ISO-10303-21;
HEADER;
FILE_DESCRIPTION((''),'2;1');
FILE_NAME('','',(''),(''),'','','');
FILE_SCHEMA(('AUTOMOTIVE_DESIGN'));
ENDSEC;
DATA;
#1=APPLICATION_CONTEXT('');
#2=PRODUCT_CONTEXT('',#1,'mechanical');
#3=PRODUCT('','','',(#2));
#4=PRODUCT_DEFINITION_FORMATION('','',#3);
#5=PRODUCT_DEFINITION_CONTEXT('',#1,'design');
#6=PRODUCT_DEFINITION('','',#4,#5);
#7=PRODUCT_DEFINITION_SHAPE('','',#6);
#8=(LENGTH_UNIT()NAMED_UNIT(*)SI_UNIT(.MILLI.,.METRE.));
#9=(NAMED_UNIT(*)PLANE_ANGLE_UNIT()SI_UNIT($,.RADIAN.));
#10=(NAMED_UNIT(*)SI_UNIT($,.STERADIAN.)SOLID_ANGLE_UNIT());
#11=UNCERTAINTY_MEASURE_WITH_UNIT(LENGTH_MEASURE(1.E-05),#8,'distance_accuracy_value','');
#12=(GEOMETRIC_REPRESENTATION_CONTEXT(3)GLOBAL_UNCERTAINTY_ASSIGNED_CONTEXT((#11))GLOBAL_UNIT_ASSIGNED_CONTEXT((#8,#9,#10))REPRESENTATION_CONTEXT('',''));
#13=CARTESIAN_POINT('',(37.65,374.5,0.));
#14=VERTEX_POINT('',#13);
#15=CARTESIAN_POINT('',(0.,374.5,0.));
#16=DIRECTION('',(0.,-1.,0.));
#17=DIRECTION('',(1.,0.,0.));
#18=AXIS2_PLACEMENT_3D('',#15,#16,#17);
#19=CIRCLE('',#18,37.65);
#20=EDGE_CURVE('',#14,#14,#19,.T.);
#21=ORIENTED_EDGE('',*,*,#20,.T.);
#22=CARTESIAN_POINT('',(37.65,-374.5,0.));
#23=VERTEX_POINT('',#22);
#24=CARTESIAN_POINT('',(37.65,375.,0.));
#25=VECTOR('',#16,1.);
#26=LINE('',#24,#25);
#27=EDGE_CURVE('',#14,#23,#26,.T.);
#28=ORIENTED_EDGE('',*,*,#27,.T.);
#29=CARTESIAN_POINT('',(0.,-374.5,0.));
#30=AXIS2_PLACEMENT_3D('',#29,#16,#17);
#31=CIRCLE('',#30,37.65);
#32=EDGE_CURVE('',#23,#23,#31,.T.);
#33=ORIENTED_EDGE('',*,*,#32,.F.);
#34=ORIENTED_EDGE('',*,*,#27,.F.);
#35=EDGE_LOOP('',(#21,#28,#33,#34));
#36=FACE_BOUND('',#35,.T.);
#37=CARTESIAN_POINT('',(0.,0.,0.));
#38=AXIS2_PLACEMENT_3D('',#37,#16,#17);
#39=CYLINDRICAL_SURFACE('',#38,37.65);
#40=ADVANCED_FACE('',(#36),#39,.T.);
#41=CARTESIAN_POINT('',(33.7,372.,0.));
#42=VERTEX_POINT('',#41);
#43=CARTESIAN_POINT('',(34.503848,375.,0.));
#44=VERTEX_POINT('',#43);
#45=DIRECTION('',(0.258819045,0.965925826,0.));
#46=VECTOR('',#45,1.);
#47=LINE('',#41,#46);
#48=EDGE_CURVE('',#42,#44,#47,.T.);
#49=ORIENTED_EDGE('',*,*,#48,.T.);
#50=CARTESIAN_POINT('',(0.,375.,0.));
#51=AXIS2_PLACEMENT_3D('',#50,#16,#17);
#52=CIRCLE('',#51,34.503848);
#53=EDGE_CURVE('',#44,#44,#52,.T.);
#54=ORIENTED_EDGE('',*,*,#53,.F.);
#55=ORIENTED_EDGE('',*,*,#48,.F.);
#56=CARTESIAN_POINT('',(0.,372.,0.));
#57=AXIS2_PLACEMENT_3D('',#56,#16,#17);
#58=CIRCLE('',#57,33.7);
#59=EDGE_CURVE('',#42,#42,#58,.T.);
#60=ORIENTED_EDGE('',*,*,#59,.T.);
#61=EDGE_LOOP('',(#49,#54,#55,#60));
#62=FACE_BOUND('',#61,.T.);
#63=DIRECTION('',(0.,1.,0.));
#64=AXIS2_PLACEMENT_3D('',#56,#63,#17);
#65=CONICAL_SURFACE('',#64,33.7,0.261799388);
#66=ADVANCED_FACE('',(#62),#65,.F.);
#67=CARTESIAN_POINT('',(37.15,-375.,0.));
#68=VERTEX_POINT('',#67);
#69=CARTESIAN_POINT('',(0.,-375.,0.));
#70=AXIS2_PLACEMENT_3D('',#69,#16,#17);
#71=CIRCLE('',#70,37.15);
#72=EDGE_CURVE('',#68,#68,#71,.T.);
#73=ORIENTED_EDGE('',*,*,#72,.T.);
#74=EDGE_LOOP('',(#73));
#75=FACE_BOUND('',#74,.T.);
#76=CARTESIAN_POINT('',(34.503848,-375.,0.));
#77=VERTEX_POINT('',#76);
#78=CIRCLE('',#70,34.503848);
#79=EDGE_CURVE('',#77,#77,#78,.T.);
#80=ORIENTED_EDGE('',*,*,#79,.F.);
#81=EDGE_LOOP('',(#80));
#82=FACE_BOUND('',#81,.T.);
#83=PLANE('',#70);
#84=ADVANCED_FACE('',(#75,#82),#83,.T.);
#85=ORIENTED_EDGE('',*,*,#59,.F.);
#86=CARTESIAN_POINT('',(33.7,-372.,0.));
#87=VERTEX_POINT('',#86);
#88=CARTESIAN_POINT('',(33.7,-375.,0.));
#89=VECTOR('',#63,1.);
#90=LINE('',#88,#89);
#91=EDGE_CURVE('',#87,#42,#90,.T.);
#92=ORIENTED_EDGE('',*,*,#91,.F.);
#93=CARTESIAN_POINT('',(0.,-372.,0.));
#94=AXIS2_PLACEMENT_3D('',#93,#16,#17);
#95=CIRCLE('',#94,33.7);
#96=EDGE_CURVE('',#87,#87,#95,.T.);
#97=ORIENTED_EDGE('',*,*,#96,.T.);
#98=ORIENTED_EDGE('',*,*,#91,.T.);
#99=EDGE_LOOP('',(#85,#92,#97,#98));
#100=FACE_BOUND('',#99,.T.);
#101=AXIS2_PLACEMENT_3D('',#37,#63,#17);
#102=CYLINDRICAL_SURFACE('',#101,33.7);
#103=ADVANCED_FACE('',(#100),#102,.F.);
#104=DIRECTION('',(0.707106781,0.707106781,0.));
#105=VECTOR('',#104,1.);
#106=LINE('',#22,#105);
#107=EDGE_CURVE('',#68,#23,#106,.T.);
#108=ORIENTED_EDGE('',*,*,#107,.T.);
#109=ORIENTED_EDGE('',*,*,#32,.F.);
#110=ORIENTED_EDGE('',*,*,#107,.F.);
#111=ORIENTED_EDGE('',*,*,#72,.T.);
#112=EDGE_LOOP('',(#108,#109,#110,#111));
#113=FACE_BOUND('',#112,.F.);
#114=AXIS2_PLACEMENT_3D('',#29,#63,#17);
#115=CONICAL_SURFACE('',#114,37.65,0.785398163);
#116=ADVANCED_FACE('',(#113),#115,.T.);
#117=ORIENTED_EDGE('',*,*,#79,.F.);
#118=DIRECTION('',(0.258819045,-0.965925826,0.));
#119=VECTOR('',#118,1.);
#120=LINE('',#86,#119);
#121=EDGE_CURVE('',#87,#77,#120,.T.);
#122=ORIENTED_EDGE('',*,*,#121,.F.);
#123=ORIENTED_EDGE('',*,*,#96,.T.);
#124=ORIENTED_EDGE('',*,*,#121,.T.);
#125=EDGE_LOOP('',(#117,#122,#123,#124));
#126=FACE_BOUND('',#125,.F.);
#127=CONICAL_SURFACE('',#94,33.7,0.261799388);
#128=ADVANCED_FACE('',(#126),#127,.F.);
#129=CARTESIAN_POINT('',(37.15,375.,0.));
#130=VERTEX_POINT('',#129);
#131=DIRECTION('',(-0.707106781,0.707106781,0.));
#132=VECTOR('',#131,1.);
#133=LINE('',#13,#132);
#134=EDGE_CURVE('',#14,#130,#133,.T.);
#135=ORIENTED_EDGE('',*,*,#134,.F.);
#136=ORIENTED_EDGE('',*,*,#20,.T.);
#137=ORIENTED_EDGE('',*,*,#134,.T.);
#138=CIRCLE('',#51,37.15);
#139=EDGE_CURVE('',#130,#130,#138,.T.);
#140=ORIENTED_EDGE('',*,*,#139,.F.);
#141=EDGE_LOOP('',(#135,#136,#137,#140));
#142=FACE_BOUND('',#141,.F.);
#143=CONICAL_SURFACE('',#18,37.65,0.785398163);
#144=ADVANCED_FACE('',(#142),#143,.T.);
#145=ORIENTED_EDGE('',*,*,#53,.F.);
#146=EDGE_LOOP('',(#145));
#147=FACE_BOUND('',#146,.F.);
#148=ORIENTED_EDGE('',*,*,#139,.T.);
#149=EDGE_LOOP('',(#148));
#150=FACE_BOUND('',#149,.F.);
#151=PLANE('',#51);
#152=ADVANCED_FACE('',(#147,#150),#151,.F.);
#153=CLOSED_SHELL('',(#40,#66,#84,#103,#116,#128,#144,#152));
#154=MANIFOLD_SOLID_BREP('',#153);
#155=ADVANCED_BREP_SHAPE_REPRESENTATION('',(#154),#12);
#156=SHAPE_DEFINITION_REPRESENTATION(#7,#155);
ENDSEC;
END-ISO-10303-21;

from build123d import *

# Parameters (mm, degrees)
F0_R     = 37.65
F0_R_2   = 33.7
F1_DEPTH = 375
F2_SIZE2 = 0.8038475773
F2_SIZE  = 3
F3_SIZE  = 0.5


with BuildPart() as f1:
    # F0 (on Front) → F1 (new body, symmetric)
    with BuildSketch(Plane.XZ):
        Circle(F0_R)
        Circle(F0_R_2, mode=Mode.SUBTRACT)
    extrude(amount=F1_DEPTH, both=True)

    # F2
    f2_edges = [f1.edges().sort_by_distance(p)[0] for p in [
        (-33.7, -375, 0),
        (-33.7, 375, 0),
    ]]
    f2_side = f1.faces().sort_by_distance((-33.7, 0, 0))[0]
    chamfer(f2_edges, length=F2_SIZE, length2=F2_SIZE2, reference=f2_side)

    # F3
    f3_edges = [f1.edges().sort_by_distance(p)[0] for p in [
        (-37.65, -375, 0),
        (-37.65, 375, 0),
    ]]
    chamfer(f3_edges, length=F3_SIZE)


solid = f1.part
